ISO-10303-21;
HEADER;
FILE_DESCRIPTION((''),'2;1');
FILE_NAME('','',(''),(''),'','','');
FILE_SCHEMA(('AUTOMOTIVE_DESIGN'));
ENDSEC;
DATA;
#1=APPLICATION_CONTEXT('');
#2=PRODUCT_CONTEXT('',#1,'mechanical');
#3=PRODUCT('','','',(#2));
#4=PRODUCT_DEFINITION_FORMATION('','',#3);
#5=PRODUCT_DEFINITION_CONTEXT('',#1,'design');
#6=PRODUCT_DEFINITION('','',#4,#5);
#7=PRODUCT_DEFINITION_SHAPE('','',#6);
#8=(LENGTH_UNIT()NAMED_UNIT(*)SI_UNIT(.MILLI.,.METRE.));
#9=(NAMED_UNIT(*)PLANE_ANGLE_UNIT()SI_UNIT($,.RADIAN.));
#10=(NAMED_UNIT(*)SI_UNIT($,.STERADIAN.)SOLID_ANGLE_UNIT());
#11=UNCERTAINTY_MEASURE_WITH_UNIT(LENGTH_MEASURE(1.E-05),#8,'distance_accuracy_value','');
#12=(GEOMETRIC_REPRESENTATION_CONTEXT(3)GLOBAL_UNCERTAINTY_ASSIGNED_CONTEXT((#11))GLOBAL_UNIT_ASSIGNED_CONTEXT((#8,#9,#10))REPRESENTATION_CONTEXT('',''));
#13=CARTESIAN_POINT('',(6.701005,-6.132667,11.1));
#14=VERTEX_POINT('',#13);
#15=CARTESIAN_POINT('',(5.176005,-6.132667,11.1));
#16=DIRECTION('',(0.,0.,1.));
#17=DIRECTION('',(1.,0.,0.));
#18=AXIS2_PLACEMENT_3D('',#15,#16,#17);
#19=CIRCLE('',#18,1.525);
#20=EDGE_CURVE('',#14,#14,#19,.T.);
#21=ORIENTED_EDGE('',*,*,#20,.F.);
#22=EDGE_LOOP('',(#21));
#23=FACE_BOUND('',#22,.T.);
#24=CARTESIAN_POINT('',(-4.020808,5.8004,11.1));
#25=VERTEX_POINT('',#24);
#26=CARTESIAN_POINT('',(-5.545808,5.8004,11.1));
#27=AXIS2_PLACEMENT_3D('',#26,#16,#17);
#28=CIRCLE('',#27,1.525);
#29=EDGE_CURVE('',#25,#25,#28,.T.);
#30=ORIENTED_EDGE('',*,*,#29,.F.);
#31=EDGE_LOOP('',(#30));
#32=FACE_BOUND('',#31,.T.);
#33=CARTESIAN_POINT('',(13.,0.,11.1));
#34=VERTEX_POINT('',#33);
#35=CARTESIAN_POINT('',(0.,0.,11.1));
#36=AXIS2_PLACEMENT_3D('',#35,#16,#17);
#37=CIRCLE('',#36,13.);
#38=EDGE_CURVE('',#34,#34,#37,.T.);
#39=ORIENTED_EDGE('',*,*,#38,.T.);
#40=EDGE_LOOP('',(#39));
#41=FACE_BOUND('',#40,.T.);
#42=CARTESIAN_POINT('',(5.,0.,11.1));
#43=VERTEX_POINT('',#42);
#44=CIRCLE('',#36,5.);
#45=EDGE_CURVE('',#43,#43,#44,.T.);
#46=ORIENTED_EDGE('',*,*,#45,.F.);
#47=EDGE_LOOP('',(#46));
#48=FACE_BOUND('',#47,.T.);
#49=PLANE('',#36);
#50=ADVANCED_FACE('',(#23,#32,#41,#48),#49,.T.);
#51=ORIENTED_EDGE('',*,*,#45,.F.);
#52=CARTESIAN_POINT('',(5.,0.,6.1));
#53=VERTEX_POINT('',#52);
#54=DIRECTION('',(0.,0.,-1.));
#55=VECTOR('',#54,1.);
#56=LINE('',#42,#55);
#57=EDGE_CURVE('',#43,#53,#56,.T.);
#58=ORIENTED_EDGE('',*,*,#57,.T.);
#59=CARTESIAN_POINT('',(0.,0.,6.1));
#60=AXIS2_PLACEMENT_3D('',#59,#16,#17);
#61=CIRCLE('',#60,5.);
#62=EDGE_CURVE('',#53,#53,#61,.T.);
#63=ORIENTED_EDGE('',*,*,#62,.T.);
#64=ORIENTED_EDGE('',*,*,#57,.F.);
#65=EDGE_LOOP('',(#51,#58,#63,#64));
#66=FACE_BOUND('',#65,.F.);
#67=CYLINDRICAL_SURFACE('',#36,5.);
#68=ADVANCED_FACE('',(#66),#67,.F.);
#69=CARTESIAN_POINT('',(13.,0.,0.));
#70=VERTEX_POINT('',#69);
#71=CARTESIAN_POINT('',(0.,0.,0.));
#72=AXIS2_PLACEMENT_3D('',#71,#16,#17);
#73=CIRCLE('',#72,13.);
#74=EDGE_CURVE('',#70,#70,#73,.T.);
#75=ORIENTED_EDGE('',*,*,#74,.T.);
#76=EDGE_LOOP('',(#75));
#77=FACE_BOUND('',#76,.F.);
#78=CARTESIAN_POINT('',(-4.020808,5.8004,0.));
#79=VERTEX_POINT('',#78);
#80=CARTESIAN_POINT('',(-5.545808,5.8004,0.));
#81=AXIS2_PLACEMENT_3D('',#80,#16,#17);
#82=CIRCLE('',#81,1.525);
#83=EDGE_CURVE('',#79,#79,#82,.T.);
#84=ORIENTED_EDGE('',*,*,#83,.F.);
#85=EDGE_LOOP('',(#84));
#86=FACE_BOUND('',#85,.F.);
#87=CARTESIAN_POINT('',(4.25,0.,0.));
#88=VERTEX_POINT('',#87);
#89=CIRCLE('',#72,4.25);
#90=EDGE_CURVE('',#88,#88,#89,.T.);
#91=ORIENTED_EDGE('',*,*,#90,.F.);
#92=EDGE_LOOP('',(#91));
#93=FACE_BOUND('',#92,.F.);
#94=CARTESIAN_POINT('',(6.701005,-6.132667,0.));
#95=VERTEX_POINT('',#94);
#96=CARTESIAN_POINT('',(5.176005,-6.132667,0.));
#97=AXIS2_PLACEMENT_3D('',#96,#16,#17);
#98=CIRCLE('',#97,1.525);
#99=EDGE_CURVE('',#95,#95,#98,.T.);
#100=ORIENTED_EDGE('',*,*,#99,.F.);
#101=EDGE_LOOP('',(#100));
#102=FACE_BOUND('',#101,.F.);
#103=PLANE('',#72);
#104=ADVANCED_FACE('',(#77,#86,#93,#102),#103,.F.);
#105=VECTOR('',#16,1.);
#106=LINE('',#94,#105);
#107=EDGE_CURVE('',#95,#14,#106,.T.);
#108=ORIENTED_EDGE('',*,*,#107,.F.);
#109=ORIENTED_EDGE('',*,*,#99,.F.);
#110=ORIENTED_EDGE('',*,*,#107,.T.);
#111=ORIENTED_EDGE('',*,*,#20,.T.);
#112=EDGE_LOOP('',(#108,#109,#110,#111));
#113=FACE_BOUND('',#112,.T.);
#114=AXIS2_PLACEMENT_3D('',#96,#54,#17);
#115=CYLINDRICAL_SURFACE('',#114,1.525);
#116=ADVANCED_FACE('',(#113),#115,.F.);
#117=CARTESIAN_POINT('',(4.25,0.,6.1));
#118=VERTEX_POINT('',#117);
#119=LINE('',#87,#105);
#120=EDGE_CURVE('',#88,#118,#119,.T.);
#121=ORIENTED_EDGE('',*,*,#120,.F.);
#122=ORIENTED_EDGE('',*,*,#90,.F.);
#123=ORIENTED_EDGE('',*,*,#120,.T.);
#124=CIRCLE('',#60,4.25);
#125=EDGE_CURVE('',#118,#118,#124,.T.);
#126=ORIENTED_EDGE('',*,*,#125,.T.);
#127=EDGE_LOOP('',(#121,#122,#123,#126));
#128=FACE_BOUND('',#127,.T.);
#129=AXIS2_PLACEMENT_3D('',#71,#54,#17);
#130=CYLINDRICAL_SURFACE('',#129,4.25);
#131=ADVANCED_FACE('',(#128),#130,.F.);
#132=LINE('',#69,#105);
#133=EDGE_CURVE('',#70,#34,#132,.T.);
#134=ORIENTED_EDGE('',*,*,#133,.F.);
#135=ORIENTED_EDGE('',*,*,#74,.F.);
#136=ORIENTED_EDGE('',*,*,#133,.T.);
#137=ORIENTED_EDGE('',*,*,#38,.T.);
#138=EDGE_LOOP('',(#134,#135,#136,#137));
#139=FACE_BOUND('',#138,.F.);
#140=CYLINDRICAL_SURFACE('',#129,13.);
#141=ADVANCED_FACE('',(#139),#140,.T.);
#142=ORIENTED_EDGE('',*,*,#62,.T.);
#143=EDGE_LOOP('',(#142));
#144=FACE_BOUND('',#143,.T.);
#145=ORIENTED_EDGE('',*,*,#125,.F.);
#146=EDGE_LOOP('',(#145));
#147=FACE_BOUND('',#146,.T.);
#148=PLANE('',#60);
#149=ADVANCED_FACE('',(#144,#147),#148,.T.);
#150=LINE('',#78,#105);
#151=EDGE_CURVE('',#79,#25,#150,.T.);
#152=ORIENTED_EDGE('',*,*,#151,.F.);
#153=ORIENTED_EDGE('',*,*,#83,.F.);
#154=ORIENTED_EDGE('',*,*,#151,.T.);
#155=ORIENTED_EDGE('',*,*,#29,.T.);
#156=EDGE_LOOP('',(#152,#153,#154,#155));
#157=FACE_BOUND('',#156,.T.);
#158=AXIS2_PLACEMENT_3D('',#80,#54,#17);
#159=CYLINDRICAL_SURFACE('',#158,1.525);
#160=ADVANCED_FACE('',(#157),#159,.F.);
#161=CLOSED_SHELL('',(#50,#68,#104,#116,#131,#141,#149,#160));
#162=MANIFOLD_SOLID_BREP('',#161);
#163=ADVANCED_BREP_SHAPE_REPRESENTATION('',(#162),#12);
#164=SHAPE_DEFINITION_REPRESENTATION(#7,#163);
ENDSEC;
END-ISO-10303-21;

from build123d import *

# Parameters (mm, degrees)
F0_R     = 13
F0_R_2   = 1.525
F0_R_3   = 4.25
F1_DEPTH = 11.1
F2_R     = 5
F2_R_2   = 4.25
F3_DEPTH = 5


with BuildPart() as f1:
    # F0 (on Top) → F1 (new body)
    with BuildSketch(Plane.XY):
        Circle(F0_R)
        with Locations((5.176005, -6.132667)):
            Circle(F0_R_2, mode=Mode.SUBTRACT)
        with Locations((-5.545808, 5.8004)):
            Circle(F0_R_2, mode=Mode.SUBTRACT)
        Circle(F0_R_3, mode=Mode.SUBTRACT)
    extrude(amount=F1_DEPTH)

    # F2 (on face) → F3 (cut)
    with BuildSketch(Plane.XY.offset(11.1)):
        Circle(F2_R)
        Circle(F2_R_2, mode=Mode.SUBTRACT)
    extrude(amount=-F3_DEPTH, mode=Mode.SUBTRACT)


solid = f1.part
